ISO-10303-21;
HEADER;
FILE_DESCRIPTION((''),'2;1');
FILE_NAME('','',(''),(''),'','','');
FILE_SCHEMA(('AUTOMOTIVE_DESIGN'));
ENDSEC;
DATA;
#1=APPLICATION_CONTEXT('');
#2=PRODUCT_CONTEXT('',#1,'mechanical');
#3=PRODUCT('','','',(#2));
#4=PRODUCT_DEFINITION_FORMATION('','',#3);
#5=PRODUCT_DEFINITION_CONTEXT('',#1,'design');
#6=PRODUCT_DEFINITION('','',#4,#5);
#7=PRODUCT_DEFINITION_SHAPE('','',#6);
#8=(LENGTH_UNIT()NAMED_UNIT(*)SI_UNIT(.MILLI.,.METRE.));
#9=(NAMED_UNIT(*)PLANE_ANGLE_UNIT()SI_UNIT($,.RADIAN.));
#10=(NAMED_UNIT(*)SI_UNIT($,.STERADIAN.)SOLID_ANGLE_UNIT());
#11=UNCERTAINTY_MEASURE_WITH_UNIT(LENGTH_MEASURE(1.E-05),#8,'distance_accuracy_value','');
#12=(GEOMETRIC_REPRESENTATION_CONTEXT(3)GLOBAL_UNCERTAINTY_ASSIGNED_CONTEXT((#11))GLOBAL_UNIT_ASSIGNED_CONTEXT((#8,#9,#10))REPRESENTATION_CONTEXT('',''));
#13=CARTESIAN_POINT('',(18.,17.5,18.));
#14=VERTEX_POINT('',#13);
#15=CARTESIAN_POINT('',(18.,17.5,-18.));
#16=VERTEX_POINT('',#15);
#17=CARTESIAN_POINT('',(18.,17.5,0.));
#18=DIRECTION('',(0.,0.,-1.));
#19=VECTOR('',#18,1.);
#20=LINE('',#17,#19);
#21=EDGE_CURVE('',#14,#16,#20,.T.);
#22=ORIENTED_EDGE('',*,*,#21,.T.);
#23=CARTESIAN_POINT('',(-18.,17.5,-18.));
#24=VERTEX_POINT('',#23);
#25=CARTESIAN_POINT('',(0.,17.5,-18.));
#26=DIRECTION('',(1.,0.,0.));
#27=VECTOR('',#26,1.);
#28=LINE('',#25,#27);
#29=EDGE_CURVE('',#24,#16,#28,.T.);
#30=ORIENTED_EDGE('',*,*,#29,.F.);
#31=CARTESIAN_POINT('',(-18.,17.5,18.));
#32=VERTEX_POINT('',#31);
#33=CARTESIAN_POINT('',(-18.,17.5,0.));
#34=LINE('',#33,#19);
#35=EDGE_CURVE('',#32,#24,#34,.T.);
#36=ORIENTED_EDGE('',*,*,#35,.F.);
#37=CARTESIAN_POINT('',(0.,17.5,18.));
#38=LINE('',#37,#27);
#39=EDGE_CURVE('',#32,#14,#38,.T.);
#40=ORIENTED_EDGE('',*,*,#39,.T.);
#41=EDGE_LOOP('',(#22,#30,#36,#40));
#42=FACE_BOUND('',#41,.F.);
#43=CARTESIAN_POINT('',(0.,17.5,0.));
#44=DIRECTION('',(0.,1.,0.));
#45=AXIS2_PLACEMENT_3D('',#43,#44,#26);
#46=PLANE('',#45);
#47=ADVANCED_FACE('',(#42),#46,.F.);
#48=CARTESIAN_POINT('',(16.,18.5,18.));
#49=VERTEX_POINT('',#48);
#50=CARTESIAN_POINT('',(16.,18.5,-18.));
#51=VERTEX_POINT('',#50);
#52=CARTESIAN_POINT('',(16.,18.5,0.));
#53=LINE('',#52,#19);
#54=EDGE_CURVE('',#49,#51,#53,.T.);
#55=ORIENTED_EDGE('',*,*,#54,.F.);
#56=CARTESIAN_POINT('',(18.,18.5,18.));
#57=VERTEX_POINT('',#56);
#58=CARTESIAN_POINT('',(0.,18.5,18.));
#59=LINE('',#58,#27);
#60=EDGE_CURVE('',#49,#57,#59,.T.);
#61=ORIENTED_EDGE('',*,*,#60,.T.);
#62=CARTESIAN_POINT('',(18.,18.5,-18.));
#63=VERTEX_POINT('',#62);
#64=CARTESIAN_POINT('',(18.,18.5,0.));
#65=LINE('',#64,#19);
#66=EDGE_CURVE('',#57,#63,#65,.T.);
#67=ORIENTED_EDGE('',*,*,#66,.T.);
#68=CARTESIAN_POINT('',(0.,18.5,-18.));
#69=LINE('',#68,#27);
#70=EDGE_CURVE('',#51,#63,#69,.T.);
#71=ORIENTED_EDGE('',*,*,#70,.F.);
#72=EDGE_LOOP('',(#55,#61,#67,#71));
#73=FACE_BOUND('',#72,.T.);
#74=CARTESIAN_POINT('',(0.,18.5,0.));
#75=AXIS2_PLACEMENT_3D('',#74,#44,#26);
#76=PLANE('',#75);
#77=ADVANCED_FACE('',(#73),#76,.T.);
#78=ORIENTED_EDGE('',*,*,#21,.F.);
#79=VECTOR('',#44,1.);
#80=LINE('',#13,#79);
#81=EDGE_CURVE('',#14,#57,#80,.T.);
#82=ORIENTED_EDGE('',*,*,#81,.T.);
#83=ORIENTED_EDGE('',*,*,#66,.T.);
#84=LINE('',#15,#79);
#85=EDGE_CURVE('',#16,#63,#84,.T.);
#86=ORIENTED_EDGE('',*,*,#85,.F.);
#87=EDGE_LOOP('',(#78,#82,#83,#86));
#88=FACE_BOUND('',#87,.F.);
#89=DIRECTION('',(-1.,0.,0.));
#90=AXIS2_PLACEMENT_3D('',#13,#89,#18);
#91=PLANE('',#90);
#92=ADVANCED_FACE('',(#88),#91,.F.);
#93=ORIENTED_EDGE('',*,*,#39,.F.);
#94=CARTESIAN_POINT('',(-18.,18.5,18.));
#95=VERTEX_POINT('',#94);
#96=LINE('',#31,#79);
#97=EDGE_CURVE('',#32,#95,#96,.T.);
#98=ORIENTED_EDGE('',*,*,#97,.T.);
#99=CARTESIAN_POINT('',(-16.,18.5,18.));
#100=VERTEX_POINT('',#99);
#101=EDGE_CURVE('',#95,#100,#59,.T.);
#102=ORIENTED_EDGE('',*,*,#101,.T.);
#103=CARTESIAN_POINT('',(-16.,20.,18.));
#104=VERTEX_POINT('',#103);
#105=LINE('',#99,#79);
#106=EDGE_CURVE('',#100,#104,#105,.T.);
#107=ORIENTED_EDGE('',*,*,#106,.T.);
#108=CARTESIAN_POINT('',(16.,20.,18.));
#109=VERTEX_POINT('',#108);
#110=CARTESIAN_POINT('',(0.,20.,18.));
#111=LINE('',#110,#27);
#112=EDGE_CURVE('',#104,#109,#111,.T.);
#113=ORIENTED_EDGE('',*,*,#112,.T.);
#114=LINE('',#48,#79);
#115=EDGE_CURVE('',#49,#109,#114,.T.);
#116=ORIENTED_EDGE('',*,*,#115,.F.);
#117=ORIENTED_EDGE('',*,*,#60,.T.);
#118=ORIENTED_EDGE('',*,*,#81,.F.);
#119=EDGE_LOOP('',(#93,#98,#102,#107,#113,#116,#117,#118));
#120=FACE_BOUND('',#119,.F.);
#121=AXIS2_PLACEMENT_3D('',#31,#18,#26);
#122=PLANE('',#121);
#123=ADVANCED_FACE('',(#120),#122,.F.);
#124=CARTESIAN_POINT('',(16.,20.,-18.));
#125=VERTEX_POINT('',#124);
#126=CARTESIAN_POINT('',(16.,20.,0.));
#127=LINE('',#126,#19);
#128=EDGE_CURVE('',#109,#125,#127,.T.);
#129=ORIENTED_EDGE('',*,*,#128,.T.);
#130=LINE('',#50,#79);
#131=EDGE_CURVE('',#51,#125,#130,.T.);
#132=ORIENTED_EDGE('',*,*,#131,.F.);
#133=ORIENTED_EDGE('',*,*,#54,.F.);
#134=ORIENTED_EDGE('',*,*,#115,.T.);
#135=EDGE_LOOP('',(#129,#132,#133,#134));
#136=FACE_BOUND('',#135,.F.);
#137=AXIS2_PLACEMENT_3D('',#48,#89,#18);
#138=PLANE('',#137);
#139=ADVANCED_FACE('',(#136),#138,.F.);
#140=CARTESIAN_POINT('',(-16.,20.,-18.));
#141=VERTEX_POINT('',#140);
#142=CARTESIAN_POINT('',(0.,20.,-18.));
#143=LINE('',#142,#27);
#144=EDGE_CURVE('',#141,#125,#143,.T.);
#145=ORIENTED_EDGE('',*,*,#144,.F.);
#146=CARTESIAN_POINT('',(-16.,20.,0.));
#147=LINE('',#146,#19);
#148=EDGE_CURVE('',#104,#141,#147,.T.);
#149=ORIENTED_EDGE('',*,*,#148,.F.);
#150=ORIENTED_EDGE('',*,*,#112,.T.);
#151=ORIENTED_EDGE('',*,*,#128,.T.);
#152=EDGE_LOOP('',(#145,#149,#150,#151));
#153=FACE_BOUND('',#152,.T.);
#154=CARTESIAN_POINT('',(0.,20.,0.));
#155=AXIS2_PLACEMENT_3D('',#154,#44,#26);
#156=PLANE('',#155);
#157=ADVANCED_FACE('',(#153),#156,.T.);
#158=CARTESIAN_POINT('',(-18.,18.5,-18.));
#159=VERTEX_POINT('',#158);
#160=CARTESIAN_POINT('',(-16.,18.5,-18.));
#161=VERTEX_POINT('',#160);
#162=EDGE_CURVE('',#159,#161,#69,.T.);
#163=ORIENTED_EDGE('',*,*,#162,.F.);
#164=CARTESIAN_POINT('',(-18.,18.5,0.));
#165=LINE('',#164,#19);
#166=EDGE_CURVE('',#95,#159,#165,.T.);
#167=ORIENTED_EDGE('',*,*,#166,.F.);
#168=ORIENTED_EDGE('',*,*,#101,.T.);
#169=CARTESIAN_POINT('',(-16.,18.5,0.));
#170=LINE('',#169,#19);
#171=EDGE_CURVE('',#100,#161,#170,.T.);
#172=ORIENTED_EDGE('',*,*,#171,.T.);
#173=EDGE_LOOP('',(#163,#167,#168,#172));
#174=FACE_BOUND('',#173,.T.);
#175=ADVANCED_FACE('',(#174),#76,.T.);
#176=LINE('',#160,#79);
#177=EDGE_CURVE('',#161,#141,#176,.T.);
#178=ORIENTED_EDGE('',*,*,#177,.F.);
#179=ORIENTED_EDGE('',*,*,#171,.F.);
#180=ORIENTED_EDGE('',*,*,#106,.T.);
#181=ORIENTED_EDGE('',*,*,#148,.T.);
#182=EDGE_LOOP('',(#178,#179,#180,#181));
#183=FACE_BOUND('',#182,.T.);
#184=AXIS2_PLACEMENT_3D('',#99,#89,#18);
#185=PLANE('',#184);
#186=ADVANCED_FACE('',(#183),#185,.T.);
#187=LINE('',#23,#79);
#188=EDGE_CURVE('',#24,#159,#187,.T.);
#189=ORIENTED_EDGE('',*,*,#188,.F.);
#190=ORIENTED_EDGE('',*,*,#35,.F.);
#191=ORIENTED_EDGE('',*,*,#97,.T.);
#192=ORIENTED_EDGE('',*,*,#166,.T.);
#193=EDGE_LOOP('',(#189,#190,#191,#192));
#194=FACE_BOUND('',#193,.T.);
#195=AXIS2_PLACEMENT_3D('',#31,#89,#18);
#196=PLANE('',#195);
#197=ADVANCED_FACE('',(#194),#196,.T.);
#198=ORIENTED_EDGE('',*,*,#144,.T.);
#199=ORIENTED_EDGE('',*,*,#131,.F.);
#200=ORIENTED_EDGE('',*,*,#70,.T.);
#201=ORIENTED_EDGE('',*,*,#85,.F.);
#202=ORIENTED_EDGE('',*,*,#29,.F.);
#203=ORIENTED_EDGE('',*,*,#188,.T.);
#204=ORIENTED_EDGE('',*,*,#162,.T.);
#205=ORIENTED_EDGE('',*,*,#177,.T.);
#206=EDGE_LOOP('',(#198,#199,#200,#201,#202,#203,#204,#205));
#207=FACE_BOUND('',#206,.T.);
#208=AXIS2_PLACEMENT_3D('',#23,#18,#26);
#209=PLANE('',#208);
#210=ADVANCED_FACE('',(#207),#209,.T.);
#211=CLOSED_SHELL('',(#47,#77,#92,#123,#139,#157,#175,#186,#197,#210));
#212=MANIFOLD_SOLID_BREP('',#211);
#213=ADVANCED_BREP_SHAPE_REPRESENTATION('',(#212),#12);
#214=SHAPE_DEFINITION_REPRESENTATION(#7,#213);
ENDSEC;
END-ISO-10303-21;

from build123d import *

# Parameters (mm, degrees)
SKETCH015_W               = 32
SKETCH015_H               = 36
EXTRUDE013_DEPTH          = 1.5
SKETCH014_W               = 36
SKETCH014_H               = 36
EXTRUDE012_DEPTH          = 1
FUSION008_PLACEMENT_ANGLE = 270


with BuildPart() as extrude013:
    # Sketch015 (on Face6 of Extrude012) → Extrude013 (new body)
    with BuildSketch(Plane.XY.offset(1)):
        Rectangle(SKETCH015_W, SKETCH015_H)
    extrude(amount=EXTRUDE013_DEPTH)


with BuildPart() as fusion008:
    # Sketch014 → Extrude012 (new body)
    with BuildSketch(Plane.XY):
        Rectangle(SKETCH014_W, SKETCH014_H)
    extrude(amount=EXTRUDE012_DEPTH)

    # Fusion008: union Extrude013
    add(extrude013.part)


with BuildPart() as fusion008_1:
    # Fusion008 placement: moved
    add(fusion008.part.moved(Location((0, 17.5, 0))).rotate(Axis((0, 17.5, 0), (1, 0, 0)), FUSION008_PLACEMENT_ANGLE))


solid = fusion008_1.part
